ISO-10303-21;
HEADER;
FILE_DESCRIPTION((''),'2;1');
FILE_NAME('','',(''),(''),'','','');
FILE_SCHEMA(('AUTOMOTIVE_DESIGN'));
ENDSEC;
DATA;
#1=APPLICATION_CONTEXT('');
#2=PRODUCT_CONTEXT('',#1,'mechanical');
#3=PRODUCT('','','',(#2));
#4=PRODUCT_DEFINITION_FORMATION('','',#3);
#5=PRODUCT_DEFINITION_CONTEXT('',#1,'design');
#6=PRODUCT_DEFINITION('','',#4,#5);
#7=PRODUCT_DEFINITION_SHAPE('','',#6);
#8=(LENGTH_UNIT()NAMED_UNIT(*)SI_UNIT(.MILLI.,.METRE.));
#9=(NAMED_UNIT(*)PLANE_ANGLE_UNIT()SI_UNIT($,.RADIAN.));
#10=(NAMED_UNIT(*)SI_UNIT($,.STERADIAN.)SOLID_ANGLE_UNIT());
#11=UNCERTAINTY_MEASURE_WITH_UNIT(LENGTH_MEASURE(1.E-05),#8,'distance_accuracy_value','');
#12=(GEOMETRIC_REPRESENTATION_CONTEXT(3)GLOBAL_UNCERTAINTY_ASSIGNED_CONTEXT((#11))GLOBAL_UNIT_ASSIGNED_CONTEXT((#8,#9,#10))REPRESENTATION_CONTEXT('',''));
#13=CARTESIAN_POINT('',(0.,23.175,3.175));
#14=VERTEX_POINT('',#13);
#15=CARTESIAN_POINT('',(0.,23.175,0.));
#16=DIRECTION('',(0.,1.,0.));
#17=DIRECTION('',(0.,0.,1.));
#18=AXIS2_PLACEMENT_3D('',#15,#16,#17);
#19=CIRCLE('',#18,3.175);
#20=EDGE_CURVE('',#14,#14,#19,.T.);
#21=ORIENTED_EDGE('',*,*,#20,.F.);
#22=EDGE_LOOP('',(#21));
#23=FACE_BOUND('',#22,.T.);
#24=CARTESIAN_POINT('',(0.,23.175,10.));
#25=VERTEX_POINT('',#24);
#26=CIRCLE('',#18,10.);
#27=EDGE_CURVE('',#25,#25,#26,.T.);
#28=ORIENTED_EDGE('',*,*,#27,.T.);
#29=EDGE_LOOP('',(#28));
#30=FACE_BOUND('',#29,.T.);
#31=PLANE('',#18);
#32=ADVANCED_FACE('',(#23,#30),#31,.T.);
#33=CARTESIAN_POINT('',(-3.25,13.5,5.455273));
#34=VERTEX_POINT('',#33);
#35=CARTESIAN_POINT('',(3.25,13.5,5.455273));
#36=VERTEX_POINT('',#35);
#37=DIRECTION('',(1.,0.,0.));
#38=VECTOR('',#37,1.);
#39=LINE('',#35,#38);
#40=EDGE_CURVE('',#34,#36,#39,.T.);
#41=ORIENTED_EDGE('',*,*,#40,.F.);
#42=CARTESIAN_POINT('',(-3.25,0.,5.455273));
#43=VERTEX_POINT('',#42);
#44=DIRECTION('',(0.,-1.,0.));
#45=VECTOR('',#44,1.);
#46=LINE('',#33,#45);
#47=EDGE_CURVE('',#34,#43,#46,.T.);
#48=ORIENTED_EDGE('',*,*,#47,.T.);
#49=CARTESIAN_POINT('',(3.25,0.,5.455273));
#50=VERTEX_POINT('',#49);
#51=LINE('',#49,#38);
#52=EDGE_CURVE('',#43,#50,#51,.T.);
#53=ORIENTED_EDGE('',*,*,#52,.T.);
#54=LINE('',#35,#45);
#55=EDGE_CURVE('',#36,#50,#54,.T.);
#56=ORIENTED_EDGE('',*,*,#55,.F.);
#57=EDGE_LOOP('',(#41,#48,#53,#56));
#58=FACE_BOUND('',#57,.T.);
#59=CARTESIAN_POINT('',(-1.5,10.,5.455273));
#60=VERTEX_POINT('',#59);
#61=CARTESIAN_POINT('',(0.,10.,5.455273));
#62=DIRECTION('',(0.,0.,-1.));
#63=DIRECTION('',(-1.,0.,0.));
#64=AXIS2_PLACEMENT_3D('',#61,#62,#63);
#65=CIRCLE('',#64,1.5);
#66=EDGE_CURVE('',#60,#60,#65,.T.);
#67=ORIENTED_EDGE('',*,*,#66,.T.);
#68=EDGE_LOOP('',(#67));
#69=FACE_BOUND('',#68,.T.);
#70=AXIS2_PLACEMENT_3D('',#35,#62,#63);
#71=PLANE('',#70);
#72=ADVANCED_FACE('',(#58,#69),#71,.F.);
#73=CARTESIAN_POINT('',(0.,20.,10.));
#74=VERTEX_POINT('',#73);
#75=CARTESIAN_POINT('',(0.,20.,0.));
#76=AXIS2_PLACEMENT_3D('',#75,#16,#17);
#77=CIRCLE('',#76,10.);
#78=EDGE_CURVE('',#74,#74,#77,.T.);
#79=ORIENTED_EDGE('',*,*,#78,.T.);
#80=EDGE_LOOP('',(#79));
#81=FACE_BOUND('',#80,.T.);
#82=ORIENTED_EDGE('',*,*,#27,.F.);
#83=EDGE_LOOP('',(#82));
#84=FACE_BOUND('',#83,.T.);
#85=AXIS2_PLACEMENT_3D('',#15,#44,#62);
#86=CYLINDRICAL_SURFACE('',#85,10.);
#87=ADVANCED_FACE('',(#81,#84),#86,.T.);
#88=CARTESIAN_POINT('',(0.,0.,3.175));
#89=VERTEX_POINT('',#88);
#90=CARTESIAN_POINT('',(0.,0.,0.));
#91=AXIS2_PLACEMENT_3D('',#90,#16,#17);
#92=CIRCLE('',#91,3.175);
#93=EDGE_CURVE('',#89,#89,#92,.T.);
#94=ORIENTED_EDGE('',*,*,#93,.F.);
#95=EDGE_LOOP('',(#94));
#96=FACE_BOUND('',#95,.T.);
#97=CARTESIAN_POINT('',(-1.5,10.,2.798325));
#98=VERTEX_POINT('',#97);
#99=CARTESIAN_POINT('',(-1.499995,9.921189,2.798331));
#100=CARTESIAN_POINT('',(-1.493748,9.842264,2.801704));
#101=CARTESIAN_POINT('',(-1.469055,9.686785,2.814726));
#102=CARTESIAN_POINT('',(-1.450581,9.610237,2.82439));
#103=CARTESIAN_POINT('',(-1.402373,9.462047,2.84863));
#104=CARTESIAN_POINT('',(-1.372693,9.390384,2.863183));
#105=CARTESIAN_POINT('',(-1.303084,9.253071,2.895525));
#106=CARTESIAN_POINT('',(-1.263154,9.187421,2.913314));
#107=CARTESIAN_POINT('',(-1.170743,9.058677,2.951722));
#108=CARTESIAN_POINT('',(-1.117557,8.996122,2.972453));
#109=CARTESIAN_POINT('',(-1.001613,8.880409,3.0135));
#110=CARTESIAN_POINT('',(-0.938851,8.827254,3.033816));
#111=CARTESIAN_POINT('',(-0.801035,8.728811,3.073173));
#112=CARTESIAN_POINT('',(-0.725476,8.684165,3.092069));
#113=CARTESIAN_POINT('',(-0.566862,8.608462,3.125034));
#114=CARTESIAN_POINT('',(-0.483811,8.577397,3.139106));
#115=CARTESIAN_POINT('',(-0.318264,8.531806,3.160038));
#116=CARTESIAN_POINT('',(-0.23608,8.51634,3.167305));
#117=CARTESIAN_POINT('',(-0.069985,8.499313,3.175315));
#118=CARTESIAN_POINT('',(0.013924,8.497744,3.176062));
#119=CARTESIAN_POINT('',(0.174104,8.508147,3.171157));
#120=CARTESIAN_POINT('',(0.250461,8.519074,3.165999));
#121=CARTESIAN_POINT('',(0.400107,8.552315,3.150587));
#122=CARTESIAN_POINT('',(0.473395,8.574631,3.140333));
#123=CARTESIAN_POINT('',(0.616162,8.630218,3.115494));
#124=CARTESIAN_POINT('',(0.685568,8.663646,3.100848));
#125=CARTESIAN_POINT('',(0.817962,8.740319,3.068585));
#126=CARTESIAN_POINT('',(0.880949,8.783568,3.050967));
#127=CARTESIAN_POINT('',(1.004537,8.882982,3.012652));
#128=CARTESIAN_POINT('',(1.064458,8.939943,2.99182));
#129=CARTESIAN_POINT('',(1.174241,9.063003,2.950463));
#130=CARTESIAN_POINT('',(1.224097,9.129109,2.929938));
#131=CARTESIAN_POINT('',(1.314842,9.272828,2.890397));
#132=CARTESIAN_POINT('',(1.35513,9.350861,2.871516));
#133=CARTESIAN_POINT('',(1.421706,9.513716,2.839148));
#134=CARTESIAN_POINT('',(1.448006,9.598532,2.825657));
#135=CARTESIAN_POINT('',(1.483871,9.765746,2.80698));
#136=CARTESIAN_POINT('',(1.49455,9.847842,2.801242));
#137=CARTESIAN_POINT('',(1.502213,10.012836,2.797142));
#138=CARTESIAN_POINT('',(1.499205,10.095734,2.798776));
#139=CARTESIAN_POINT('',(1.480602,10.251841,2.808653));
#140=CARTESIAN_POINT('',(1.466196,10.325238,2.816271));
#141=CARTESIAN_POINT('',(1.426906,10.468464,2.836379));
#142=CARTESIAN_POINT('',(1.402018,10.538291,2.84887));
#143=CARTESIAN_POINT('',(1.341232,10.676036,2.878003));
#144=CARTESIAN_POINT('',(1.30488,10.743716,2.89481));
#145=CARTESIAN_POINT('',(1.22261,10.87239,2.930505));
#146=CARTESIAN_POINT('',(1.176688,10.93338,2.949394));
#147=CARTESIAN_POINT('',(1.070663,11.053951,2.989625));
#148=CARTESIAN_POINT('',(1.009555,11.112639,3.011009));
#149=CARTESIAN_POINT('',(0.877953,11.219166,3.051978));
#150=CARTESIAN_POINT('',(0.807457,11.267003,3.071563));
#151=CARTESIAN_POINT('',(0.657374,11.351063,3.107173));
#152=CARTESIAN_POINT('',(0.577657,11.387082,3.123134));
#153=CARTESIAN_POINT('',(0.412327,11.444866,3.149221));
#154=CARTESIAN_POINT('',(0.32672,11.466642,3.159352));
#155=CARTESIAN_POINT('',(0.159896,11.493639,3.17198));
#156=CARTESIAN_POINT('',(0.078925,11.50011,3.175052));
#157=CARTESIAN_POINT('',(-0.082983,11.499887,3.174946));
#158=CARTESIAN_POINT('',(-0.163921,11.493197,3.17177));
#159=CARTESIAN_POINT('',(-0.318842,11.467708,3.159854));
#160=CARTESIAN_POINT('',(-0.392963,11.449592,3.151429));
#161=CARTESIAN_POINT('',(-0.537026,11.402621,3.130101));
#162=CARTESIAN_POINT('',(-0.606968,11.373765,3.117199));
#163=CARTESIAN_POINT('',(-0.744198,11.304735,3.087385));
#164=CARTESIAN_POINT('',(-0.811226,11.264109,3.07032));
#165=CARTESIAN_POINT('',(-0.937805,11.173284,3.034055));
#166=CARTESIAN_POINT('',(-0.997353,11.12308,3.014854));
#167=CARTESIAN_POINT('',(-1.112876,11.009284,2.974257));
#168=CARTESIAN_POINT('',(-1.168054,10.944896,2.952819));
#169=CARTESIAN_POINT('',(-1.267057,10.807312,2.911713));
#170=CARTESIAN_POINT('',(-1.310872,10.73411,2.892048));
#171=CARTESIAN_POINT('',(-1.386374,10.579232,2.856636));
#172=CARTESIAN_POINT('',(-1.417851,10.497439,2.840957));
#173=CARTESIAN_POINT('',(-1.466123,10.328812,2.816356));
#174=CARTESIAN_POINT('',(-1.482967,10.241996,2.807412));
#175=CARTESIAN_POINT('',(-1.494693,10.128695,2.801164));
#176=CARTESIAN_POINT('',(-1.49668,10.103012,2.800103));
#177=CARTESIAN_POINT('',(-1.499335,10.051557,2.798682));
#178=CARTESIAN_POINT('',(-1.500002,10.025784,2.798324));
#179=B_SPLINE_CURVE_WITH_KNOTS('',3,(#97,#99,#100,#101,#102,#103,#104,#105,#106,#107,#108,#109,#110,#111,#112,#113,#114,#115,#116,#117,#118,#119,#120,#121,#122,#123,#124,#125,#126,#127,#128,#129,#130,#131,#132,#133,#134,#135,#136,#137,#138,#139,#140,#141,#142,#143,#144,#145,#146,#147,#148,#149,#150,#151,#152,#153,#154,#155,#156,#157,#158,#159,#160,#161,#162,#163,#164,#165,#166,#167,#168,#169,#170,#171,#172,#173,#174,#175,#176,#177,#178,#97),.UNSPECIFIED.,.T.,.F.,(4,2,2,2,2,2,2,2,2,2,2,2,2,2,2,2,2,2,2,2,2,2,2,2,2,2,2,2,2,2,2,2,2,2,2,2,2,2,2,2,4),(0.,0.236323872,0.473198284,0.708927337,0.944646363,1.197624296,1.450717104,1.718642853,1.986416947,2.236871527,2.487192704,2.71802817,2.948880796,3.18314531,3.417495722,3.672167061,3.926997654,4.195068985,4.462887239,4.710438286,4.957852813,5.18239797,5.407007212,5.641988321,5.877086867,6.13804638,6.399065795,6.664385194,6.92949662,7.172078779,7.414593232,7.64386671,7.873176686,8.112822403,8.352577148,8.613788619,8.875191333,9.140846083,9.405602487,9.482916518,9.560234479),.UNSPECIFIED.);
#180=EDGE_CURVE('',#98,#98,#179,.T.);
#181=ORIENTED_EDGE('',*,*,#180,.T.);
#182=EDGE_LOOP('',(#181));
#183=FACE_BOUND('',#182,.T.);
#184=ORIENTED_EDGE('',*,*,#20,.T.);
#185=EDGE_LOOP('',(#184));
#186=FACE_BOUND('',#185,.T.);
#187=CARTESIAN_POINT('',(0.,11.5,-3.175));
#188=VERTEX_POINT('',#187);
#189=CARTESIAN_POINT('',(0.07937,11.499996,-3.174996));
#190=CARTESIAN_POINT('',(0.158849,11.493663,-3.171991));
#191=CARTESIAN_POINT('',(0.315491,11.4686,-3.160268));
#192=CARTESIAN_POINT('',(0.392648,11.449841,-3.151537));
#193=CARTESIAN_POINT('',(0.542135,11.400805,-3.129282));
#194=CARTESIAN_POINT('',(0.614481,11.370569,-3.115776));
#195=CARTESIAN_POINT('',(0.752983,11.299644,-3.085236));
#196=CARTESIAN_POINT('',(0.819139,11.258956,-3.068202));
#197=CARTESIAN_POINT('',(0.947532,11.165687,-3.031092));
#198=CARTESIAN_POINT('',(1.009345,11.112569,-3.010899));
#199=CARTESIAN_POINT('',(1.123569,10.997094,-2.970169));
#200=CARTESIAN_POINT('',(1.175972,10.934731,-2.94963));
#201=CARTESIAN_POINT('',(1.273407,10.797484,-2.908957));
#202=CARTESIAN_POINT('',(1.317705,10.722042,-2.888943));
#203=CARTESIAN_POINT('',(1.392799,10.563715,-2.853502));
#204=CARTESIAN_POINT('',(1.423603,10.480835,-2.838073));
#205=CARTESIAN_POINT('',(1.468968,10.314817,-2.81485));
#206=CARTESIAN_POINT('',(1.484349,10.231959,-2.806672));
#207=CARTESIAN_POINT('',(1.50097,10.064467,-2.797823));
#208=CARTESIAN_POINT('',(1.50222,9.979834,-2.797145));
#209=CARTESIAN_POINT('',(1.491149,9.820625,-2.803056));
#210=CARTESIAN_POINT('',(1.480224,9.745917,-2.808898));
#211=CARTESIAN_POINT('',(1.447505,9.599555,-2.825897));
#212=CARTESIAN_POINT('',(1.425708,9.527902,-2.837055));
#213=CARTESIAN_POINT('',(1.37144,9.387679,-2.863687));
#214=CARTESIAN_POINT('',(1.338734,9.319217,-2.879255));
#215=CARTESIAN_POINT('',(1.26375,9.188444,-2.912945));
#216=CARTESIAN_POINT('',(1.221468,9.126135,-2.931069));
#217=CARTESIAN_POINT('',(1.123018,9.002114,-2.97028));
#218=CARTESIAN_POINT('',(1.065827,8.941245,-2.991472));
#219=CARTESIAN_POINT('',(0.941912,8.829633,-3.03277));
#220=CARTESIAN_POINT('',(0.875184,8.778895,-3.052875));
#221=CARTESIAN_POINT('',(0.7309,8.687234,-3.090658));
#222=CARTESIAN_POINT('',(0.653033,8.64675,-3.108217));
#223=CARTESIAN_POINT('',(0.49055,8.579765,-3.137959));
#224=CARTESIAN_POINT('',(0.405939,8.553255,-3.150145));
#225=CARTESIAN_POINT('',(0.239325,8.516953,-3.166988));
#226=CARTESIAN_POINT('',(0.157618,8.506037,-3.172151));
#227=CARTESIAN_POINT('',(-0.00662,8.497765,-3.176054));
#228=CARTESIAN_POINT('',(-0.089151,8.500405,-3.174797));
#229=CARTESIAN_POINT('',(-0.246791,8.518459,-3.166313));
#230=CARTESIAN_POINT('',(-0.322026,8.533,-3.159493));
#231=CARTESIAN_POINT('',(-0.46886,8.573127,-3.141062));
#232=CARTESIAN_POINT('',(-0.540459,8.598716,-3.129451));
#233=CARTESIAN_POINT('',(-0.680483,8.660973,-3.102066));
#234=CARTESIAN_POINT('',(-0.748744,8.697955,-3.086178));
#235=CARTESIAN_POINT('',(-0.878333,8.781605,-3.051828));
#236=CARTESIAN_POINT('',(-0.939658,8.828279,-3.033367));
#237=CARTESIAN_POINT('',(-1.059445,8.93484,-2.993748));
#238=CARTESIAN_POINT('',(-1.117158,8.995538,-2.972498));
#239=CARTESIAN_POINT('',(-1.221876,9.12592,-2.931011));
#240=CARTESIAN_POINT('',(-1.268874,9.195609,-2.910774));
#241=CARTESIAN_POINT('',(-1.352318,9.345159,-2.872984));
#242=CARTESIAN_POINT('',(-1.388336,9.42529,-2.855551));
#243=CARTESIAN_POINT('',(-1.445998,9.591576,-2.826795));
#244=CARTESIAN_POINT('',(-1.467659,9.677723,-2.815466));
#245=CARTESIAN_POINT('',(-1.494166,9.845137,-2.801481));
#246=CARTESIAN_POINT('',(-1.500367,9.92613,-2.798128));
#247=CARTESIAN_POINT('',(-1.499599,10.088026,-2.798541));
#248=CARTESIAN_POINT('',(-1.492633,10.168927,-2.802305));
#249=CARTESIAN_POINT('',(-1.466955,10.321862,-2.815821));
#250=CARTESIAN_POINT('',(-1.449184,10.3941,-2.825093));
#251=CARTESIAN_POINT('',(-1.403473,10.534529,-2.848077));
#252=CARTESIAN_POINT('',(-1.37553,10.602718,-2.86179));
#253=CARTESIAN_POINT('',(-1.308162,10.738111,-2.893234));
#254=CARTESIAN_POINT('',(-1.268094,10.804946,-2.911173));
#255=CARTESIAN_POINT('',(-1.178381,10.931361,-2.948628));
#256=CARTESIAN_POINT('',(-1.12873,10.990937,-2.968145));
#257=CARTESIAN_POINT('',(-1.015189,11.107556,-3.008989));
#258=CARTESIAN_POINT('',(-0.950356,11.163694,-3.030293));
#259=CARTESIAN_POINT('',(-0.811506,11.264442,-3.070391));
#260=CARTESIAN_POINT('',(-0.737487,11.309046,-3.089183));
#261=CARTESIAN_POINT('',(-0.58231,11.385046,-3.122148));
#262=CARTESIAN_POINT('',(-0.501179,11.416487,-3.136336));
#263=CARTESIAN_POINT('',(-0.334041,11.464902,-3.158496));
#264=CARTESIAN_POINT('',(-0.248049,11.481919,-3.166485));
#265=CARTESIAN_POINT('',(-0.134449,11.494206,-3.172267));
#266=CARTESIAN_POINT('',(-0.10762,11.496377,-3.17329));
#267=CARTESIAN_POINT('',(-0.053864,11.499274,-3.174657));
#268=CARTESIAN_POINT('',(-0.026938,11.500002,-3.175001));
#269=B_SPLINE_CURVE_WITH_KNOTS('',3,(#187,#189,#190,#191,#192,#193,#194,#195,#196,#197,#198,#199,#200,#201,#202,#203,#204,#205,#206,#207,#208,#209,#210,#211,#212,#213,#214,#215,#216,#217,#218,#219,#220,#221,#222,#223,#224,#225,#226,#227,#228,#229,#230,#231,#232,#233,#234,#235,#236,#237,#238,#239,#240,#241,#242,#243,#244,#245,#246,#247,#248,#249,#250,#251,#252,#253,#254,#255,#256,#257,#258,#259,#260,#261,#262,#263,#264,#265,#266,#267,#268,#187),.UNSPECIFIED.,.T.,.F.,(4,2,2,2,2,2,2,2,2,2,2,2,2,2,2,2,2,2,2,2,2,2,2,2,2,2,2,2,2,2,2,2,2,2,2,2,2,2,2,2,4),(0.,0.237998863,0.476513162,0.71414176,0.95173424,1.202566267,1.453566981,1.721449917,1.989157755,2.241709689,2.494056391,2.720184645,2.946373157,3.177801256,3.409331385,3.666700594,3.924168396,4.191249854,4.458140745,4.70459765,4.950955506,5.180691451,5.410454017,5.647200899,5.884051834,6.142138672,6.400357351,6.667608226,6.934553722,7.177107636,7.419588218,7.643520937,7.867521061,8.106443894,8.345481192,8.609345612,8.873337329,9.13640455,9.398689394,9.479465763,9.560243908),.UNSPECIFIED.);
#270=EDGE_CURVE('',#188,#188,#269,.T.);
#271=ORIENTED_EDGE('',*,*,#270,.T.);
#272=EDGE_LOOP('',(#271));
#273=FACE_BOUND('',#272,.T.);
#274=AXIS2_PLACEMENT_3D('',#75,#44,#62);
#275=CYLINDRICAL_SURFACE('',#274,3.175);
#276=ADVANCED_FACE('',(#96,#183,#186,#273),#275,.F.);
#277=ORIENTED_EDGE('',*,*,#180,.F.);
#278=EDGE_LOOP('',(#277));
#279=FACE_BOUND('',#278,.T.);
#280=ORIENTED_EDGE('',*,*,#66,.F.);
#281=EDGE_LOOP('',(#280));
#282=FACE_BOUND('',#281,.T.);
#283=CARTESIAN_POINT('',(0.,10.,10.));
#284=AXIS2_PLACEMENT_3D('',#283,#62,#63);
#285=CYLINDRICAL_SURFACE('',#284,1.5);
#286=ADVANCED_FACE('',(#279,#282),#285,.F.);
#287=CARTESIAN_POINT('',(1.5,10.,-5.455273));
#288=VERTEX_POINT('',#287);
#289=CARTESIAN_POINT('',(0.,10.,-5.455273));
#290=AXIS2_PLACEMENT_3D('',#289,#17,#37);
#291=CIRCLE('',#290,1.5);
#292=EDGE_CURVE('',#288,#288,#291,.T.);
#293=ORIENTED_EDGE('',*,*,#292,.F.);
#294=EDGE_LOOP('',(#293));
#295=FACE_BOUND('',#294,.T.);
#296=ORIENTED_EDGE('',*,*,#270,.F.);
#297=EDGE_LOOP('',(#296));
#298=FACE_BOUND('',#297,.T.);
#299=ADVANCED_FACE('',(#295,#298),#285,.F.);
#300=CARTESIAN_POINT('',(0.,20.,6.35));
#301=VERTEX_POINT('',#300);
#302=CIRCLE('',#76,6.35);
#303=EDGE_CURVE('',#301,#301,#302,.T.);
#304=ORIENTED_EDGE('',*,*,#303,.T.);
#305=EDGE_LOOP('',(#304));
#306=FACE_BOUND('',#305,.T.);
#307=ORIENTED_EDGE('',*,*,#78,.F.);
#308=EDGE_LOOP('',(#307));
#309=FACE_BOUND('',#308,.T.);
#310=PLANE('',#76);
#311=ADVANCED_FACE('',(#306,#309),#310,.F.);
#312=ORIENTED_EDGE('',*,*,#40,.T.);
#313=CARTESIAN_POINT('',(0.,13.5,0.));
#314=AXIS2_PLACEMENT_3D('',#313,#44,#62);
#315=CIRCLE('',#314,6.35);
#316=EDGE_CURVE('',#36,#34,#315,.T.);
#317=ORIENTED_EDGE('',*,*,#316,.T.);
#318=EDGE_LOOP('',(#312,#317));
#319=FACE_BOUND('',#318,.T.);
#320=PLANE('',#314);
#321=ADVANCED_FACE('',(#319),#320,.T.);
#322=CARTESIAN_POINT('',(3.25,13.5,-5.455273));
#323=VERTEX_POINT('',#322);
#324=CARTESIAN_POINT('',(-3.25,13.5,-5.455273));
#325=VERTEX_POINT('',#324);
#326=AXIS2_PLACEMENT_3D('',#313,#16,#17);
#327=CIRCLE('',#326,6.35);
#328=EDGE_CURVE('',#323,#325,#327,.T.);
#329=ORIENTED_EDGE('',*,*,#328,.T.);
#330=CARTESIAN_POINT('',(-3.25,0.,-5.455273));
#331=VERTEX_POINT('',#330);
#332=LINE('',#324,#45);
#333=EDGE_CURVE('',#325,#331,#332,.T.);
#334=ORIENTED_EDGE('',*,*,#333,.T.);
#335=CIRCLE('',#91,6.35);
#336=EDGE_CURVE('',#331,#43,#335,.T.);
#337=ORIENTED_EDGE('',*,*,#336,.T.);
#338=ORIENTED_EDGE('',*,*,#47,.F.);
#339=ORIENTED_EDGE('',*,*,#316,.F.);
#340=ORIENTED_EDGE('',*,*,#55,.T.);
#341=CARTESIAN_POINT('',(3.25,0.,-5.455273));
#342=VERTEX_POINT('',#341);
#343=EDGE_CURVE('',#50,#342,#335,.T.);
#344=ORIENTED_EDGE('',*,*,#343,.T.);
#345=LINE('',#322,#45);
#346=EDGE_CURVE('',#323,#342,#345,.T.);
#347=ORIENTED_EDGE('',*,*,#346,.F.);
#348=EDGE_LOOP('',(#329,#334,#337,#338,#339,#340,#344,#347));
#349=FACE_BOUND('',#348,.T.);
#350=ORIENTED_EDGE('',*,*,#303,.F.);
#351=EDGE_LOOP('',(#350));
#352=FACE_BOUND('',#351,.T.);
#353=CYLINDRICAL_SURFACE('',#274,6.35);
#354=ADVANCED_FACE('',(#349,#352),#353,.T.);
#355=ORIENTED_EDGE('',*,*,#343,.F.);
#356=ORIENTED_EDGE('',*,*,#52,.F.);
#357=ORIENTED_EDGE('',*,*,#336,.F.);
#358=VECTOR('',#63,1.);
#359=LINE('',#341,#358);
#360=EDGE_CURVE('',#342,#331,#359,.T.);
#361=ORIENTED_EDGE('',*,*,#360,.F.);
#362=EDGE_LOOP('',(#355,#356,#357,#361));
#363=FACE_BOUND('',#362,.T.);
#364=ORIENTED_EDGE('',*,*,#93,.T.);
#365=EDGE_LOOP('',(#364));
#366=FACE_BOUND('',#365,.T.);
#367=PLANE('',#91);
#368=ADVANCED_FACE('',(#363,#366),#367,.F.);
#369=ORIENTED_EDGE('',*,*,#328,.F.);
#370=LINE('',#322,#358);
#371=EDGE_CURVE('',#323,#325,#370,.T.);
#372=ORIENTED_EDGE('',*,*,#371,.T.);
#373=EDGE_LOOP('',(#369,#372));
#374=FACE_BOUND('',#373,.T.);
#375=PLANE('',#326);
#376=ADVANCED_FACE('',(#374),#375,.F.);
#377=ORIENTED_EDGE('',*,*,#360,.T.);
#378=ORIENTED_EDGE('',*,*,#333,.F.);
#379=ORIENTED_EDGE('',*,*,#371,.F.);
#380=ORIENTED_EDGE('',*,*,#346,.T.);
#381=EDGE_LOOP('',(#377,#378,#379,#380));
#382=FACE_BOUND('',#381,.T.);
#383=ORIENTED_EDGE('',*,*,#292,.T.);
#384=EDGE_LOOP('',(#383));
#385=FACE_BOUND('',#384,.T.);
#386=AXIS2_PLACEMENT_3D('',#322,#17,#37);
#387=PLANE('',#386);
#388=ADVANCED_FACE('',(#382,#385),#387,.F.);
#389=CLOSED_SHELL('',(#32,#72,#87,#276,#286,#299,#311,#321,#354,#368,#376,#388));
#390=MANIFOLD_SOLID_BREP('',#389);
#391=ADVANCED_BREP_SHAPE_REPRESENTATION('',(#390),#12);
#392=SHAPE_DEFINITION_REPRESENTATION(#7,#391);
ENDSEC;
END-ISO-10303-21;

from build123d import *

# Parameters (mm, degrees)
SKETCH1_R               = 6.35
SKETCH1_R_2             = 3.175
BOSS_EXTRUDE1_DEPTH     = 20
SKETCH2_R               = 10
SKETCH2_R_2             = 3.175
BOSS_EXTRUDE2_DEPTH     = 3.175
SKETCH3_R               = 1.5
CUT_EXTRUDE1_DEPTH      = 10
CUT_EXTRUDE1_DEPTH_BACK = 11
SKETCH4_W               = 6.5
SKETCH4_H               = 0.894727321
CUT_EXTRUDE2_DEPTH      = 13.5


with BuildPart() as part:
    # Sketch1 → Boss-Extrude1 (new body)
    with BuildSketch(Plane(origin=(0, 0, 0), x_dir=(1, 0, 0), z_dir=(0, 1, 0))):
        Circle(SKETCH1_R)
        Circle(SKETCH1_R_2, mode=Mode.SUBTRACT)
    extrude(amount=BOSS_EXTRUDE1_DEPTH)

    # Sketch2 → Boss-Extrude2 (add)
    with BuildSketch(Plane(origin=(0, 20, 0), x_dir=(1, 0, 0), z_dir=(0, 1, 0))):
        Circle(SKETCH2_R)
        Circle(SKETCH2_R_2, mode=Mode.SUBTRACT)
    extrude(amount=BOSS_EXTRUDE2_DEPTH)

    # Sketch3 → Cut-Extrude1 (cut, two sides)
    with BuildSketch(Plane.XY) as cut_extrude1_sk:
        with Locations((0, 10)):
            Circle(SKETCH3_R)
    extrude(amount=CUT_EXTRUDE1_DEPTH, mode=Mode.SUBTRACT)
    extrude(cut_extrude1_sk.sketch, amount=-CUT_EXTRUDE1_DEPTH_BACK, mode=Mode.SUBTRACT)

    # Sketch4 → Cut-Extrude2 (cut)
    with BuildSketch(Plane.XZ):
        with Locations((0, -5.90263634)):
            Rectangle(SKETCH4_W, SKETCH4_H)
        with Locations((0, 5.90263634)):
            Rectangle(SKETCH4_W, SKETCH4_H)
    extrude(amount=-CUT_EXTRUDE2_DEPTH, mode=Mode.SUBTRACT)


solid = part.part
